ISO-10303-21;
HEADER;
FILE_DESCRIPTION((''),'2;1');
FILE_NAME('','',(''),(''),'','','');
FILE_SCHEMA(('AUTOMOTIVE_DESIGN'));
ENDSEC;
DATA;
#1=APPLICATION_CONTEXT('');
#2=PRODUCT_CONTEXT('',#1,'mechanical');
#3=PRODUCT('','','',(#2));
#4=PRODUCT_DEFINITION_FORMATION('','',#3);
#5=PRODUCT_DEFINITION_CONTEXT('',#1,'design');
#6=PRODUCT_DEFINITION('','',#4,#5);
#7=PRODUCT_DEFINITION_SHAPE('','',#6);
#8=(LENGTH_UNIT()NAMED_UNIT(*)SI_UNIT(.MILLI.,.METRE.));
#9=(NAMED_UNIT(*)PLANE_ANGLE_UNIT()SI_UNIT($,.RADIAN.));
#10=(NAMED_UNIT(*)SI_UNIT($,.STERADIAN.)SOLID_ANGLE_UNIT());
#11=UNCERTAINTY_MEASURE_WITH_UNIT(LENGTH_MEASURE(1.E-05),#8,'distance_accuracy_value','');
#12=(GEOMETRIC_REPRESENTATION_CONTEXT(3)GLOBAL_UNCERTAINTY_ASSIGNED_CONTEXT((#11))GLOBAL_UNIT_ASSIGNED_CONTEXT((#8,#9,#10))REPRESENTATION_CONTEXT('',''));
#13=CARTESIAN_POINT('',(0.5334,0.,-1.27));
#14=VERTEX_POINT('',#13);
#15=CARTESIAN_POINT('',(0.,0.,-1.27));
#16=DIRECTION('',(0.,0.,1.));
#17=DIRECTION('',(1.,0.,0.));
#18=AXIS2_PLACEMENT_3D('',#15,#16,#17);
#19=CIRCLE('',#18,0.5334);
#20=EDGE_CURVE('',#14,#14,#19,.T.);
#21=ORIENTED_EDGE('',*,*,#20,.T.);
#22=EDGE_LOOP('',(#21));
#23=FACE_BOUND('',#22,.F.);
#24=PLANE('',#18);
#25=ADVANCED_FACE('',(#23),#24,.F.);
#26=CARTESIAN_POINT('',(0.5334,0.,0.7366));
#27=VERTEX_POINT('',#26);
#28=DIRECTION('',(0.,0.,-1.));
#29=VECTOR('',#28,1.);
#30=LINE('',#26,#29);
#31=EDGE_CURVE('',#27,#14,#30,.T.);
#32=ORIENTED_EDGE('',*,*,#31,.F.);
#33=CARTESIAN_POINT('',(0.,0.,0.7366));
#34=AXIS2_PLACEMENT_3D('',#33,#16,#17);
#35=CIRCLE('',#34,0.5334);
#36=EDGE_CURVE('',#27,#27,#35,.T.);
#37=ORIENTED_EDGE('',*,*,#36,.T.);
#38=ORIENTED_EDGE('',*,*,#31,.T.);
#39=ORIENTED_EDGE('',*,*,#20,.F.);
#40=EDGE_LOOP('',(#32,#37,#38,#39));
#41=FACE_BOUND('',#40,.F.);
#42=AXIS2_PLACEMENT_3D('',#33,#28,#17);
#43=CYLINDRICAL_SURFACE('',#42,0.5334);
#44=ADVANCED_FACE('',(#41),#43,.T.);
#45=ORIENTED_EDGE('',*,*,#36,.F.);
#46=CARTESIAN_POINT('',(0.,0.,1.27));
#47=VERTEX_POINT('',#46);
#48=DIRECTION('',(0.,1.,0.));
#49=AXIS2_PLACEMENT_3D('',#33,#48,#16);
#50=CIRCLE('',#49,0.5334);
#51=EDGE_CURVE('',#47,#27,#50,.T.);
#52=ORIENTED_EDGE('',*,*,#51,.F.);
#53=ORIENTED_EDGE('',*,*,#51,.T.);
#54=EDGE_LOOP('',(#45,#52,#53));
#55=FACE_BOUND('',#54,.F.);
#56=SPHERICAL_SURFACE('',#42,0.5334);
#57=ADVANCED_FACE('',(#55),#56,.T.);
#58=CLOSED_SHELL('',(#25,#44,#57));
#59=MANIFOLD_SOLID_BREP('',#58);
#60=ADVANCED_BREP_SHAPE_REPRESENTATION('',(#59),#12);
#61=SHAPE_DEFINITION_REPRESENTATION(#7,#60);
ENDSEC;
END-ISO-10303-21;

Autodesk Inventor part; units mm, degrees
ref_plane "YZ Plane" through (0, 0, 0) normal (1, 0, 0) x (0, 1, 0)
ref_plane "XZ Plane" through (0, 0, 0) normal (0, 1, 0) x (-1, 0, 0)
ref_plane "XY Plane" through (0, 0, 0) normal (0, 0, 1) x (1, 0, 0)
sketch "Sketch1" plane through (0, 0, 0) normal (0, 1, 0) x (-1, 0, 0)
  line L0 (0, -1.27) -> (0, 1.27)
  arc A0 (0, 1.27) -> (-0.5334, 0.7366) centre (0, 0.7366) ccw
  line L1 (-0.5334, 0.7366) -> (-0.5334, -1.27)
  line L2 (-0.5334, -1.27) -> (0, -1.27)
  point P0 (0, 0)
  point P1 (0, 0)
  dimension "d0" = 1.0668
  dimension "d1" = 2.54
revolve "Revolution1" add sketch "Sketch1" angle 360 about axis through (0, 0, -1.27) along (0, 0, 1)
properties part number "Plunger" material "Nickel-Copper Alloy 400"
